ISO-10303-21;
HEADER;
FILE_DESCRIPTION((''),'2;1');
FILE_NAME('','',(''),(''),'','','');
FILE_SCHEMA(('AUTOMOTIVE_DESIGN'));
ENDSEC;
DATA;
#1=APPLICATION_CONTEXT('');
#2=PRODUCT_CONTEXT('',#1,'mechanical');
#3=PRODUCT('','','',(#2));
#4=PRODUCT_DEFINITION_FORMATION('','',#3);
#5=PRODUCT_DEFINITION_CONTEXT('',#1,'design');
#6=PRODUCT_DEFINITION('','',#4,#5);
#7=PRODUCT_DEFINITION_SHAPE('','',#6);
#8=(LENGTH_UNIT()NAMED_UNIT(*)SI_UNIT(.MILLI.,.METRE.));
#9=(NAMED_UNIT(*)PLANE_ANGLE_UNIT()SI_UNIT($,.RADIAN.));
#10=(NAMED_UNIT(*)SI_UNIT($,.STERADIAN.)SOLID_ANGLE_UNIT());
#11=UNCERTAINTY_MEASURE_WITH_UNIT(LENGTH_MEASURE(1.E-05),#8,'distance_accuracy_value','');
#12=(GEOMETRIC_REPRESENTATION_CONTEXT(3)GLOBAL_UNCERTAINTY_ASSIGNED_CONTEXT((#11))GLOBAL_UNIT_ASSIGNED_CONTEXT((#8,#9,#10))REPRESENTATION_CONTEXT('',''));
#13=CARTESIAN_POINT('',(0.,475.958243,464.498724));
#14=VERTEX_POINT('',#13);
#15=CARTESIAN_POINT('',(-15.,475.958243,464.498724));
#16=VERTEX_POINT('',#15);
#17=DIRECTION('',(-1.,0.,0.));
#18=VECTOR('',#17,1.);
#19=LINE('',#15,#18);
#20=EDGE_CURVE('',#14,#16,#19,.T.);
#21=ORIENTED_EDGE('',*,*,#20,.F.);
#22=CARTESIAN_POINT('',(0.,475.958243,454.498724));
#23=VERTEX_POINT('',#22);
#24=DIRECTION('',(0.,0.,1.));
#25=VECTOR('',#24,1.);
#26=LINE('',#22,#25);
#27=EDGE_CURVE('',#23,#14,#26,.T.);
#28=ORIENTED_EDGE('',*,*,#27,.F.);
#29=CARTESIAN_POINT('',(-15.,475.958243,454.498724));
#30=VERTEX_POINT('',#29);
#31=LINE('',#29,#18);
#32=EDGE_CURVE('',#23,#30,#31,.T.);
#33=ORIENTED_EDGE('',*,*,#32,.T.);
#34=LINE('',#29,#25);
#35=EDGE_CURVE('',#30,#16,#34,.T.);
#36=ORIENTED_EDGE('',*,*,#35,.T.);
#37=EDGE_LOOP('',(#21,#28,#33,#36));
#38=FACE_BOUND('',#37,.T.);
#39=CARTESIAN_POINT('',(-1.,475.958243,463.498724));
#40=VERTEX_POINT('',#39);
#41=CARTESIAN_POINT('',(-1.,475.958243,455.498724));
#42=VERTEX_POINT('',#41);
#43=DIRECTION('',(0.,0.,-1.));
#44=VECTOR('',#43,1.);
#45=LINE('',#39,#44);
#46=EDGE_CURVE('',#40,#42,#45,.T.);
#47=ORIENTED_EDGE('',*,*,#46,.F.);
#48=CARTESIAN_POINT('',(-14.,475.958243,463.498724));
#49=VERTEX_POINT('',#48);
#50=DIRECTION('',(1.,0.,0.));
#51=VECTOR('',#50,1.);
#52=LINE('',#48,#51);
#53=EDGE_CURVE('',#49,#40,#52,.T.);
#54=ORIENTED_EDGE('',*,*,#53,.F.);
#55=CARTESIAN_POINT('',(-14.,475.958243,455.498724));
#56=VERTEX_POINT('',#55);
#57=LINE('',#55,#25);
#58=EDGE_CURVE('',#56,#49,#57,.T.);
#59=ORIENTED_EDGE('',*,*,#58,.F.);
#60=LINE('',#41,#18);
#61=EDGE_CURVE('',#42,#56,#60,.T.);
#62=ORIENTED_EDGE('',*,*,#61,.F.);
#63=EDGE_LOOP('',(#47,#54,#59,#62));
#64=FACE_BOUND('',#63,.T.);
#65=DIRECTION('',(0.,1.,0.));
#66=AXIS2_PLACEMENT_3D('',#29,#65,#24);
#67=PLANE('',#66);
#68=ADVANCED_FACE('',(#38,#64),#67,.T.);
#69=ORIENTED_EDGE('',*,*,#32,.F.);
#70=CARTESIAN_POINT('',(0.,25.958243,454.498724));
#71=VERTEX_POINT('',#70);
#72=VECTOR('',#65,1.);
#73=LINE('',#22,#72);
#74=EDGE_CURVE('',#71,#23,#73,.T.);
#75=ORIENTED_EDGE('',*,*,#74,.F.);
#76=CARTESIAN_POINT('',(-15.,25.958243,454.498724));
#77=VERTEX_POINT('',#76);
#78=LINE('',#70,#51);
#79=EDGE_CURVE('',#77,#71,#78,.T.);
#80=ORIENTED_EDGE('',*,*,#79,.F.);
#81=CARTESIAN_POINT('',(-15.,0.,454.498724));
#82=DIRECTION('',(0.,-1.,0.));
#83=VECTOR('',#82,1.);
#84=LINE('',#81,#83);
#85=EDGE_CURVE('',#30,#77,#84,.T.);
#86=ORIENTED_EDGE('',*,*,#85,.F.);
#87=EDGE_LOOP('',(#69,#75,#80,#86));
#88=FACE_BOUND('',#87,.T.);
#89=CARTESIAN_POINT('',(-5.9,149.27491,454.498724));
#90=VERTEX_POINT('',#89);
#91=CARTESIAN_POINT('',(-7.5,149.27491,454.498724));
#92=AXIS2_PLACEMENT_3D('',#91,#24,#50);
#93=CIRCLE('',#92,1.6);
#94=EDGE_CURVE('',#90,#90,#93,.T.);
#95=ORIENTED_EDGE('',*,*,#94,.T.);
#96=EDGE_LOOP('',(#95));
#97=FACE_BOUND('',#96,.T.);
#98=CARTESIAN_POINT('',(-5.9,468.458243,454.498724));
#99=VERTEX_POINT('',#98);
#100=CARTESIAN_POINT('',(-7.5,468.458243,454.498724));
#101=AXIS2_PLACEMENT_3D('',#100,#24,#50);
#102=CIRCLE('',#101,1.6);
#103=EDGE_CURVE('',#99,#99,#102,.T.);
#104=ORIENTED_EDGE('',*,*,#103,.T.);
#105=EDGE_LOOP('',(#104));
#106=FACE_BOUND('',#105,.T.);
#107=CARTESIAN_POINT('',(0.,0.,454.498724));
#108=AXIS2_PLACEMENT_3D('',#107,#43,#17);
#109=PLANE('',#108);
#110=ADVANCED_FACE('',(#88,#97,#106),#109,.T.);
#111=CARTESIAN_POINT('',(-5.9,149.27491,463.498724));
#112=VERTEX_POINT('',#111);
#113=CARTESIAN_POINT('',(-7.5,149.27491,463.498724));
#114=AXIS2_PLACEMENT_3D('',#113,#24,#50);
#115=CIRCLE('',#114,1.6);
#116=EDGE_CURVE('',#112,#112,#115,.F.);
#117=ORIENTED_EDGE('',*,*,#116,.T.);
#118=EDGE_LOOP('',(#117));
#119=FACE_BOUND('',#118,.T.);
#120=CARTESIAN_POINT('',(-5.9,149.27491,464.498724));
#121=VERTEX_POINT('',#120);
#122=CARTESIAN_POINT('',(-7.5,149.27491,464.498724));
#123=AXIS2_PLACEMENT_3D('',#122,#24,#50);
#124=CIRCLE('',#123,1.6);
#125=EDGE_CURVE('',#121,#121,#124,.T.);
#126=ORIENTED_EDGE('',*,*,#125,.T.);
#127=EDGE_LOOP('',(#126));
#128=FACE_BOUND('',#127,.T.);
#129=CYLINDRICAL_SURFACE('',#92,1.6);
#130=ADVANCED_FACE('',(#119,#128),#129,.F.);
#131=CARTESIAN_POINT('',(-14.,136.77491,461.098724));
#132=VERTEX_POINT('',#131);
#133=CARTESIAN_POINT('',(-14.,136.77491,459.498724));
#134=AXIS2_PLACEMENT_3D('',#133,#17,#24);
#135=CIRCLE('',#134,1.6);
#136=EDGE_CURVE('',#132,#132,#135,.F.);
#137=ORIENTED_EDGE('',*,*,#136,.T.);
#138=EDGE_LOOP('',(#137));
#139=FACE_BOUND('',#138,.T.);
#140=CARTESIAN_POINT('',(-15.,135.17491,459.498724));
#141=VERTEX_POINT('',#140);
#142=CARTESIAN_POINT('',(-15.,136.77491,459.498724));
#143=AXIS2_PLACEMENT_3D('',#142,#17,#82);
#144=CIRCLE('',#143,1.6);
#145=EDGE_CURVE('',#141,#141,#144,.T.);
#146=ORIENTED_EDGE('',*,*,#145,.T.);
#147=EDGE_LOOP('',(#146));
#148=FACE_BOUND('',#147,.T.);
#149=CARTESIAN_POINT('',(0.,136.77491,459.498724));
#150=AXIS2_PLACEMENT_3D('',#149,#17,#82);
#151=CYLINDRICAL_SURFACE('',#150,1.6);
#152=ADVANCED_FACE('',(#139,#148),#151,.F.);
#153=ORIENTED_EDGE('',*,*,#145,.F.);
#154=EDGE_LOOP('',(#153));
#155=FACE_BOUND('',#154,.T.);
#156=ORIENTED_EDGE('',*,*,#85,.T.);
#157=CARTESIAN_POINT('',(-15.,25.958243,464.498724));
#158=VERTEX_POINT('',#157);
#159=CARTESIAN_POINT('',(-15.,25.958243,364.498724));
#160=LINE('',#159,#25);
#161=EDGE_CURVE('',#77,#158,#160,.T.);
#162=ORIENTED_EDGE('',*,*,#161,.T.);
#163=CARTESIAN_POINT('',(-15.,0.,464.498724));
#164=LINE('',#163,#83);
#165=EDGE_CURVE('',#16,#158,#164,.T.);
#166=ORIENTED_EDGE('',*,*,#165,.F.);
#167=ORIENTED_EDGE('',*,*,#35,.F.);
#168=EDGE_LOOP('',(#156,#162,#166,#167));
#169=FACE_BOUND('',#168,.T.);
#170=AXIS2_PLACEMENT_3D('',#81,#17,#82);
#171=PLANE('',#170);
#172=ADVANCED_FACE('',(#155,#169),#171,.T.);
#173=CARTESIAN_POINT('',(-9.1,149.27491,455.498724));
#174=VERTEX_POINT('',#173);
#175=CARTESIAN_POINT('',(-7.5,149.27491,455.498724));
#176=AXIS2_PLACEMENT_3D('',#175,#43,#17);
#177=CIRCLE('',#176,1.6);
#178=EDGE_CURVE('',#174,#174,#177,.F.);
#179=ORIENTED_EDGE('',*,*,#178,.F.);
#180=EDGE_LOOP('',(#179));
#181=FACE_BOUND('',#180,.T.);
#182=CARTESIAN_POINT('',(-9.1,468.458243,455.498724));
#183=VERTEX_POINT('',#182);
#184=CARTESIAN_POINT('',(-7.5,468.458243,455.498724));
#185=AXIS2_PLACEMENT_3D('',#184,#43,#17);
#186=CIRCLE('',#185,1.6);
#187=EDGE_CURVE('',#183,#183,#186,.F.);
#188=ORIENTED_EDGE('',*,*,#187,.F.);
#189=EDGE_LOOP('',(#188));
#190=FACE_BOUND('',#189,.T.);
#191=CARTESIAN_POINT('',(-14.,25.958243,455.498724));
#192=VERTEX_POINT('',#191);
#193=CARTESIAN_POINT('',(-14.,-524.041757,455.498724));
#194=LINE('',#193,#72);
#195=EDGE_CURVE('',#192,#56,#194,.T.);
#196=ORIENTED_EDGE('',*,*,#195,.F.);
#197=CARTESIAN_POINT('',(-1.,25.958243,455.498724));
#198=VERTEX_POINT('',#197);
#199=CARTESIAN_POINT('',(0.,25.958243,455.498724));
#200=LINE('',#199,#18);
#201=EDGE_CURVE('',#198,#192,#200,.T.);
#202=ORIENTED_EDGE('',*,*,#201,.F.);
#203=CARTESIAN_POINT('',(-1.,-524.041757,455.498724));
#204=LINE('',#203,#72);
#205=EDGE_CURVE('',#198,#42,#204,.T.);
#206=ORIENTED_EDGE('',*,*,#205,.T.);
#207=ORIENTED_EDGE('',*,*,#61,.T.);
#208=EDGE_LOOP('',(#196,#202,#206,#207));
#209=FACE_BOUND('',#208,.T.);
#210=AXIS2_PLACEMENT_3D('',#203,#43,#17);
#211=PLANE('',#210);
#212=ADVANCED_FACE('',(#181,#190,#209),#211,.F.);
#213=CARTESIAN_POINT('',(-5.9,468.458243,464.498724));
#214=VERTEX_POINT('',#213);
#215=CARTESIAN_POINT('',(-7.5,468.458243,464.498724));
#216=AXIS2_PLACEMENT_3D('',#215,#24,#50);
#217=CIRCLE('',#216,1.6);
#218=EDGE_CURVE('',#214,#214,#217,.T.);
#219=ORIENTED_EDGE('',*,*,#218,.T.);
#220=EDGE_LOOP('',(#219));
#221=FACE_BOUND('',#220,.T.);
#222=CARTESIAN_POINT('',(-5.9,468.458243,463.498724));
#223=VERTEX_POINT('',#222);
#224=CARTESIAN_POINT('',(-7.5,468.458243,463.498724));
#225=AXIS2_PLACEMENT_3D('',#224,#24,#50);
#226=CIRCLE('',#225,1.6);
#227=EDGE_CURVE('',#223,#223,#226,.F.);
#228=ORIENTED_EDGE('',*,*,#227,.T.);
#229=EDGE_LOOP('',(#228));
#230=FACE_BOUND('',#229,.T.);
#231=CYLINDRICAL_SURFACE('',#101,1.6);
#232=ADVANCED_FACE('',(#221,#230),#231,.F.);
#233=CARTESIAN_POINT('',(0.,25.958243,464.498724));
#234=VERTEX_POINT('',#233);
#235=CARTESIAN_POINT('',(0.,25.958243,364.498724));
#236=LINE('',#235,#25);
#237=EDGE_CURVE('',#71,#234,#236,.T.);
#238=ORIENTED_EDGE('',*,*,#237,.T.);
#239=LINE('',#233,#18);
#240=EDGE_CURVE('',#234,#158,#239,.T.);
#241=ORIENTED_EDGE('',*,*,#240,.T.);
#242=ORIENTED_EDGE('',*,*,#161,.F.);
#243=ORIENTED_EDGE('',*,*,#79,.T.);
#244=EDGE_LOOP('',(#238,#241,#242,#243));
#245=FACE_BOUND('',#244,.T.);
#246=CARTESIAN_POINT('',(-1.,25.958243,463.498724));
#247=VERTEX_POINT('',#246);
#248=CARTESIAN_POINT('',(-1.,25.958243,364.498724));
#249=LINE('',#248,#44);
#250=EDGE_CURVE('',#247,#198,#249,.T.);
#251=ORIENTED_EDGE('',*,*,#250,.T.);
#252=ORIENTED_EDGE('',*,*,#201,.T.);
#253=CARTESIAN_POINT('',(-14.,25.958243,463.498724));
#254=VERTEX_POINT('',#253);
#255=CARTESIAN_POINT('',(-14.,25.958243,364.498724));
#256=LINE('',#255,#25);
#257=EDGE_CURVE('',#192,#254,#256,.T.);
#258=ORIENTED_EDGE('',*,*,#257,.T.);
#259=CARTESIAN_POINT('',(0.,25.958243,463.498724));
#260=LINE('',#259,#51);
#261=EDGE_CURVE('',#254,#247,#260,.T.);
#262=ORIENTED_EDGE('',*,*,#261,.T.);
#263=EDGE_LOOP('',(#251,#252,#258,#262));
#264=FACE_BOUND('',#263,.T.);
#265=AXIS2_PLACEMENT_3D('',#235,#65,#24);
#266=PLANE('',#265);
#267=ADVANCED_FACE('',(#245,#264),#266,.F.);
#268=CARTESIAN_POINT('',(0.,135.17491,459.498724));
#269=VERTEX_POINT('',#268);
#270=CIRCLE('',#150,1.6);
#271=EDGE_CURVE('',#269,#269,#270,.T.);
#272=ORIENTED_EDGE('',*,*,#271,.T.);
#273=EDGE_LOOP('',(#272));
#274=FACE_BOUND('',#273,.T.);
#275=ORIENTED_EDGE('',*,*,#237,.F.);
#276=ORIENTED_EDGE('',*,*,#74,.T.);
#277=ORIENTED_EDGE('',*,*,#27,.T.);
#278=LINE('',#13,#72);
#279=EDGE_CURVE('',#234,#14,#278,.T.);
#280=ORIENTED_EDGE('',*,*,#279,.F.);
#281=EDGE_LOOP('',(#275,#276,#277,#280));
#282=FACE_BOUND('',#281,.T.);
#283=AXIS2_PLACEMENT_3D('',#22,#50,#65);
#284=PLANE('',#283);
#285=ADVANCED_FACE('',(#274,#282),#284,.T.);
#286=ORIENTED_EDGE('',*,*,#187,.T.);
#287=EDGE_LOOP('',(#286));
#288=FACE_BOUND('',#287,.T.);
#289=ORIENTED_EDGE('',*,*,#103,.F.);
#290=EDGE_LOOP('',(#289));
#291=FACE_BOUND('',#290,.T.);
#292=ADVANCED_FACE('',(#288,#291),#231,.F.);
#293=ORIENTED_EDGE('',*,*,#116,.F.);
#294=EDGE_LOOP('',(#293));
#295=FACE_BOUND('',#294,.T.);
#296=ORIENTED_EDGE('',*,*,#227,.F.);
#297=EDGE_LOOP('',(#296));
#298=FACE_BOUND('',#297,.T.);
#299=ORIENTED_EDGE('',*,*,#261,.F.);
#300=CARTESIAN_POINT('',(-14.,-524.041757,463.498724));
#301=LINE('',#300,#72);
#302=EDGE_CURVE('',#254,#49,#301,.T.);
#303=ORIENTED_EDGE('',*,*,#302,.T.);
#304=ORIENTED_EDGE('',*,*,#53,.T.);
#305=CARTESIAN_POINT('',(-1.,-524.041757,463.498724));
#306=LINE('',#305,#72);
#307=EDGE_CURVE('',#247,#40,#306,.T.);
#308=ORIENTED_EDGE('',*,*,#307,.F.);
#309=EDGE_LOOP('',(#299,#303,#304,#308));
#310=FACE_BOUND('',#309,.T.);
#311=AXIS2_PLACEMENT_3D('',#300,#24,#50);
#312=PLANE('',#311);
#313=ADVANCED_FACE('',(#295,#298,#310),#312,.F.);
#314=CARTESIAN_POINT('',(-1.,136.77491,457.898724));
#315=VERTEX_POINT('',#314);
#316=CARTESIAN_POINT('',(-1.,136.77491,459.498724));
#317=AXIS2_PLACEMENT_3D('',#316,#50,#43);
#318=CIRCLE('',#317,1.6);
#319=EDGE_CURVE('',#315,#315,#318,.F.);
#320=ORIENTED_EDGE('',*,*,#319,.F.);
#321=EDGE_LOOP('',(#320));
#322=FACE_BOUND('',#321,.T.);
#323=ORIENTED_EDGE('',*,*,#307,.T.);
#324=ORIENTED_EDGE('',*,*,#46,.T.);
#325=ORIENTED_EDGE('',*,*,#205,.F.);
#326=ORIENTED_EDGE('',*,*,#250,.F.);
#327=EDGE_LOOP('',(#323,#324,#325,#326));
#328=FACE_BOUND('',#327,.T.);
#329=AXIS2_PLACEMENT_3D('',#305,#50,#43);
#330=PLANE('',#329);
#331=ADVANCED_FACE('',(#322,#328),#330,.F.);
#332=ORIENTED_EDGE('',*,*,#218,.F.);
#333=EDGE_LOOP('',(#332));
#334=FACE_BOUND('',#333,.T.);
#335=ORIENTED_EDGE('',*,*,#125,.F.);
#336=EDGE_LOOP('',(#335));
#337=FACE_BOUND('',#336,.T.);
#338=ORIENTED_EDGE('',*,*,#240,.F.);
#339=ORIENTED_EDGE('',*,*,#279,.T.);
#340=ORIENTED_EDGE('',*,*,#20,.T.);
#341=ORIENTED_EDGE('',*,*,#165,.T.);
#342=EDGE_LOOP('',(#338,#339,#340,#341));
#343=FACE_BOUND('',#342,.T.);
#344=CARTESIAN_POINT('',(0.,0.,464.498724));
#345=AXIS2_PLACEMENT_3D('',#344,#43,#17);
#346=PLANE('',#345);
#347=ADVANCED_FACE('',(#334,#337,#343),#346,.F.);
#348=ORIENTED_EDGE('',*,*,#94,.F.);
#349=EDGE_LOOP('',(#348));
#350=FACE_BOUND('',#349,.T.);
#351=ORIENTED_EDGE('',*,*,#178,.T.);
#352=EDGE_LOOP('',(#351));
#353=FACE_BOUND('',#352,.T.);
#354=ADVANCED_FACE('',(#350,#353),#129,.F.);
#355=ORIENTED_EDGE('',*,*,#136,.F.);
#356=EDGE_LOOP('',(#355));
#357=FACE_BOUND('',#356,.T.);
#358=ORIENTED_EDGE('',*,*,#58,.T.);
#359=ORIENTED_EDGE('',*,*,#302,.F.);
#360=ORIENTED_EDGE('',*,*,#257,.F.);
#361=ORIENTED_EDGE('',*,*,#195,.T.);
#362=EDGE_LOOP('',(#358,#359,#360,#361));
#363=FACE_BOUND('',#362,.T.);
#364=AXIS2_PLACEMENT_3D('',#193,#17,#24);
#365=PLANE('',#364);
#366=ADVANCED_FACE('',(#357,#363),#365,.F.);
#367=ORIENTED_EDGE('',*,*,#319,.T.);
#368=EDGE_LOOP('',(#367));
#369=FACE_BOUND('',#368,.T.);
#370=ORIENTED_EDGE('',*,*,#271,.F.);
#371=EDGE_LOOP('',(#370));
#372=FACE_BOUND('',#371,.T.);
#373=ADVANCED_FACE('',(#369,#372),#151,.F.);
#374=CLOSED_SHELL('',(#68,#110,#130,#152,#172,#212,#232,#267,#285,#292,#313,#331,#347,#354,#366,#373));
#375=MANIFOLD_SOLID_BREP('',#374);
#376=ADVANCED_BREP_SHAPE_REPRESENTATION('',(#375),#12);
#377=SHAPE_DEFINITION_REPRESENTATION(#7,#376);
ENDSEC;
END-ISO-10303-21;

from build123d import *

# Parameters (mm, degrees)
SKETCH_1_W          = 15
SKETCH_1_H          = 475.958242536
SKETCH_1_R          = 1.6
EXTRUDE_1_DEPTH     = 10
SKETCH_2_W          = 15
SKETCH_2_H          = 25.958242536
CUT_EXTRUDE_1_DEPTH = 100
SKETCH_4_R          = 1.6
CUT_EXTRUDE_2_DEPTH = 15
SKETCH_5_W          = 13
SKETCH_5_H          = 8
CUT_EXTRUDE_3_DEPTH = 1000


with BuildPart() as part:
    # ｽｹｯﾁ1 → ﾎﾞｽ - 押し出し1 (new body)
    with BuildSketch(Plane.XY.offset(464.498723907)):
        with Locations((-7.5, 237.979121268)):
            Rectangle(SKETCH_1_W, SKETCH_1_H)
        with Locations((-7.5, 468.458242536)):
            Circle(SKETCH_1_R, mode=Mode.SUBTRACT)
        with Locations((-7.5, 149.274909628)):
            Circle(SKETCH_1_R, mode=Mode.SUBTRACT)
    extrude(amount=-EXTRUDE_1_DEPTH)

    # ｽｹｯﾁ2 → ｶｯﾄ - 押し出し1 (cut)
    with BuildSketch(Plane.XY.offset(464.498723907)):
        with Locations((-7.5, 12.979121268)):
            Rectangle(SKETCH_2_W, SKETCH_2_H)
    extrude(amount=-CUT_EXTRUDE_1_DEPTH, mode=Mode.SUBTRACT)

    # ｽｹｯﾁ4 → ｶｯﾄ - 押し出し2 (cut)
    with BuildSketch(Plane.ZY.offset(15)):
        with Locations(Location((459.498723907, 136.774909628, 0), (0, 0, 270))):
            Circle(SKETCH_4_R)
    extrude(amount=-CUT_EXTRUDE_2_DEPTH, mode=Mode.SUBTRACT)

    # ｽｹｯﾁ5 → ｶｯﾄ - 押し出し3 (cut)
    with BuildSketch(Plane(origin=(0, 475.958242536, 0), x_dir=(1, 0, 0), z_dir=(0, 1, 0))):
        with Locations((-7.5, -459.498723907)):
            Rectangle(SKETCH_5_W, SKETCH_5_H)
    extrude(amount=-CUT_EXTRUDE_3_DEPTH, mode=Mode.SUBTRACT)


solid = part.part
